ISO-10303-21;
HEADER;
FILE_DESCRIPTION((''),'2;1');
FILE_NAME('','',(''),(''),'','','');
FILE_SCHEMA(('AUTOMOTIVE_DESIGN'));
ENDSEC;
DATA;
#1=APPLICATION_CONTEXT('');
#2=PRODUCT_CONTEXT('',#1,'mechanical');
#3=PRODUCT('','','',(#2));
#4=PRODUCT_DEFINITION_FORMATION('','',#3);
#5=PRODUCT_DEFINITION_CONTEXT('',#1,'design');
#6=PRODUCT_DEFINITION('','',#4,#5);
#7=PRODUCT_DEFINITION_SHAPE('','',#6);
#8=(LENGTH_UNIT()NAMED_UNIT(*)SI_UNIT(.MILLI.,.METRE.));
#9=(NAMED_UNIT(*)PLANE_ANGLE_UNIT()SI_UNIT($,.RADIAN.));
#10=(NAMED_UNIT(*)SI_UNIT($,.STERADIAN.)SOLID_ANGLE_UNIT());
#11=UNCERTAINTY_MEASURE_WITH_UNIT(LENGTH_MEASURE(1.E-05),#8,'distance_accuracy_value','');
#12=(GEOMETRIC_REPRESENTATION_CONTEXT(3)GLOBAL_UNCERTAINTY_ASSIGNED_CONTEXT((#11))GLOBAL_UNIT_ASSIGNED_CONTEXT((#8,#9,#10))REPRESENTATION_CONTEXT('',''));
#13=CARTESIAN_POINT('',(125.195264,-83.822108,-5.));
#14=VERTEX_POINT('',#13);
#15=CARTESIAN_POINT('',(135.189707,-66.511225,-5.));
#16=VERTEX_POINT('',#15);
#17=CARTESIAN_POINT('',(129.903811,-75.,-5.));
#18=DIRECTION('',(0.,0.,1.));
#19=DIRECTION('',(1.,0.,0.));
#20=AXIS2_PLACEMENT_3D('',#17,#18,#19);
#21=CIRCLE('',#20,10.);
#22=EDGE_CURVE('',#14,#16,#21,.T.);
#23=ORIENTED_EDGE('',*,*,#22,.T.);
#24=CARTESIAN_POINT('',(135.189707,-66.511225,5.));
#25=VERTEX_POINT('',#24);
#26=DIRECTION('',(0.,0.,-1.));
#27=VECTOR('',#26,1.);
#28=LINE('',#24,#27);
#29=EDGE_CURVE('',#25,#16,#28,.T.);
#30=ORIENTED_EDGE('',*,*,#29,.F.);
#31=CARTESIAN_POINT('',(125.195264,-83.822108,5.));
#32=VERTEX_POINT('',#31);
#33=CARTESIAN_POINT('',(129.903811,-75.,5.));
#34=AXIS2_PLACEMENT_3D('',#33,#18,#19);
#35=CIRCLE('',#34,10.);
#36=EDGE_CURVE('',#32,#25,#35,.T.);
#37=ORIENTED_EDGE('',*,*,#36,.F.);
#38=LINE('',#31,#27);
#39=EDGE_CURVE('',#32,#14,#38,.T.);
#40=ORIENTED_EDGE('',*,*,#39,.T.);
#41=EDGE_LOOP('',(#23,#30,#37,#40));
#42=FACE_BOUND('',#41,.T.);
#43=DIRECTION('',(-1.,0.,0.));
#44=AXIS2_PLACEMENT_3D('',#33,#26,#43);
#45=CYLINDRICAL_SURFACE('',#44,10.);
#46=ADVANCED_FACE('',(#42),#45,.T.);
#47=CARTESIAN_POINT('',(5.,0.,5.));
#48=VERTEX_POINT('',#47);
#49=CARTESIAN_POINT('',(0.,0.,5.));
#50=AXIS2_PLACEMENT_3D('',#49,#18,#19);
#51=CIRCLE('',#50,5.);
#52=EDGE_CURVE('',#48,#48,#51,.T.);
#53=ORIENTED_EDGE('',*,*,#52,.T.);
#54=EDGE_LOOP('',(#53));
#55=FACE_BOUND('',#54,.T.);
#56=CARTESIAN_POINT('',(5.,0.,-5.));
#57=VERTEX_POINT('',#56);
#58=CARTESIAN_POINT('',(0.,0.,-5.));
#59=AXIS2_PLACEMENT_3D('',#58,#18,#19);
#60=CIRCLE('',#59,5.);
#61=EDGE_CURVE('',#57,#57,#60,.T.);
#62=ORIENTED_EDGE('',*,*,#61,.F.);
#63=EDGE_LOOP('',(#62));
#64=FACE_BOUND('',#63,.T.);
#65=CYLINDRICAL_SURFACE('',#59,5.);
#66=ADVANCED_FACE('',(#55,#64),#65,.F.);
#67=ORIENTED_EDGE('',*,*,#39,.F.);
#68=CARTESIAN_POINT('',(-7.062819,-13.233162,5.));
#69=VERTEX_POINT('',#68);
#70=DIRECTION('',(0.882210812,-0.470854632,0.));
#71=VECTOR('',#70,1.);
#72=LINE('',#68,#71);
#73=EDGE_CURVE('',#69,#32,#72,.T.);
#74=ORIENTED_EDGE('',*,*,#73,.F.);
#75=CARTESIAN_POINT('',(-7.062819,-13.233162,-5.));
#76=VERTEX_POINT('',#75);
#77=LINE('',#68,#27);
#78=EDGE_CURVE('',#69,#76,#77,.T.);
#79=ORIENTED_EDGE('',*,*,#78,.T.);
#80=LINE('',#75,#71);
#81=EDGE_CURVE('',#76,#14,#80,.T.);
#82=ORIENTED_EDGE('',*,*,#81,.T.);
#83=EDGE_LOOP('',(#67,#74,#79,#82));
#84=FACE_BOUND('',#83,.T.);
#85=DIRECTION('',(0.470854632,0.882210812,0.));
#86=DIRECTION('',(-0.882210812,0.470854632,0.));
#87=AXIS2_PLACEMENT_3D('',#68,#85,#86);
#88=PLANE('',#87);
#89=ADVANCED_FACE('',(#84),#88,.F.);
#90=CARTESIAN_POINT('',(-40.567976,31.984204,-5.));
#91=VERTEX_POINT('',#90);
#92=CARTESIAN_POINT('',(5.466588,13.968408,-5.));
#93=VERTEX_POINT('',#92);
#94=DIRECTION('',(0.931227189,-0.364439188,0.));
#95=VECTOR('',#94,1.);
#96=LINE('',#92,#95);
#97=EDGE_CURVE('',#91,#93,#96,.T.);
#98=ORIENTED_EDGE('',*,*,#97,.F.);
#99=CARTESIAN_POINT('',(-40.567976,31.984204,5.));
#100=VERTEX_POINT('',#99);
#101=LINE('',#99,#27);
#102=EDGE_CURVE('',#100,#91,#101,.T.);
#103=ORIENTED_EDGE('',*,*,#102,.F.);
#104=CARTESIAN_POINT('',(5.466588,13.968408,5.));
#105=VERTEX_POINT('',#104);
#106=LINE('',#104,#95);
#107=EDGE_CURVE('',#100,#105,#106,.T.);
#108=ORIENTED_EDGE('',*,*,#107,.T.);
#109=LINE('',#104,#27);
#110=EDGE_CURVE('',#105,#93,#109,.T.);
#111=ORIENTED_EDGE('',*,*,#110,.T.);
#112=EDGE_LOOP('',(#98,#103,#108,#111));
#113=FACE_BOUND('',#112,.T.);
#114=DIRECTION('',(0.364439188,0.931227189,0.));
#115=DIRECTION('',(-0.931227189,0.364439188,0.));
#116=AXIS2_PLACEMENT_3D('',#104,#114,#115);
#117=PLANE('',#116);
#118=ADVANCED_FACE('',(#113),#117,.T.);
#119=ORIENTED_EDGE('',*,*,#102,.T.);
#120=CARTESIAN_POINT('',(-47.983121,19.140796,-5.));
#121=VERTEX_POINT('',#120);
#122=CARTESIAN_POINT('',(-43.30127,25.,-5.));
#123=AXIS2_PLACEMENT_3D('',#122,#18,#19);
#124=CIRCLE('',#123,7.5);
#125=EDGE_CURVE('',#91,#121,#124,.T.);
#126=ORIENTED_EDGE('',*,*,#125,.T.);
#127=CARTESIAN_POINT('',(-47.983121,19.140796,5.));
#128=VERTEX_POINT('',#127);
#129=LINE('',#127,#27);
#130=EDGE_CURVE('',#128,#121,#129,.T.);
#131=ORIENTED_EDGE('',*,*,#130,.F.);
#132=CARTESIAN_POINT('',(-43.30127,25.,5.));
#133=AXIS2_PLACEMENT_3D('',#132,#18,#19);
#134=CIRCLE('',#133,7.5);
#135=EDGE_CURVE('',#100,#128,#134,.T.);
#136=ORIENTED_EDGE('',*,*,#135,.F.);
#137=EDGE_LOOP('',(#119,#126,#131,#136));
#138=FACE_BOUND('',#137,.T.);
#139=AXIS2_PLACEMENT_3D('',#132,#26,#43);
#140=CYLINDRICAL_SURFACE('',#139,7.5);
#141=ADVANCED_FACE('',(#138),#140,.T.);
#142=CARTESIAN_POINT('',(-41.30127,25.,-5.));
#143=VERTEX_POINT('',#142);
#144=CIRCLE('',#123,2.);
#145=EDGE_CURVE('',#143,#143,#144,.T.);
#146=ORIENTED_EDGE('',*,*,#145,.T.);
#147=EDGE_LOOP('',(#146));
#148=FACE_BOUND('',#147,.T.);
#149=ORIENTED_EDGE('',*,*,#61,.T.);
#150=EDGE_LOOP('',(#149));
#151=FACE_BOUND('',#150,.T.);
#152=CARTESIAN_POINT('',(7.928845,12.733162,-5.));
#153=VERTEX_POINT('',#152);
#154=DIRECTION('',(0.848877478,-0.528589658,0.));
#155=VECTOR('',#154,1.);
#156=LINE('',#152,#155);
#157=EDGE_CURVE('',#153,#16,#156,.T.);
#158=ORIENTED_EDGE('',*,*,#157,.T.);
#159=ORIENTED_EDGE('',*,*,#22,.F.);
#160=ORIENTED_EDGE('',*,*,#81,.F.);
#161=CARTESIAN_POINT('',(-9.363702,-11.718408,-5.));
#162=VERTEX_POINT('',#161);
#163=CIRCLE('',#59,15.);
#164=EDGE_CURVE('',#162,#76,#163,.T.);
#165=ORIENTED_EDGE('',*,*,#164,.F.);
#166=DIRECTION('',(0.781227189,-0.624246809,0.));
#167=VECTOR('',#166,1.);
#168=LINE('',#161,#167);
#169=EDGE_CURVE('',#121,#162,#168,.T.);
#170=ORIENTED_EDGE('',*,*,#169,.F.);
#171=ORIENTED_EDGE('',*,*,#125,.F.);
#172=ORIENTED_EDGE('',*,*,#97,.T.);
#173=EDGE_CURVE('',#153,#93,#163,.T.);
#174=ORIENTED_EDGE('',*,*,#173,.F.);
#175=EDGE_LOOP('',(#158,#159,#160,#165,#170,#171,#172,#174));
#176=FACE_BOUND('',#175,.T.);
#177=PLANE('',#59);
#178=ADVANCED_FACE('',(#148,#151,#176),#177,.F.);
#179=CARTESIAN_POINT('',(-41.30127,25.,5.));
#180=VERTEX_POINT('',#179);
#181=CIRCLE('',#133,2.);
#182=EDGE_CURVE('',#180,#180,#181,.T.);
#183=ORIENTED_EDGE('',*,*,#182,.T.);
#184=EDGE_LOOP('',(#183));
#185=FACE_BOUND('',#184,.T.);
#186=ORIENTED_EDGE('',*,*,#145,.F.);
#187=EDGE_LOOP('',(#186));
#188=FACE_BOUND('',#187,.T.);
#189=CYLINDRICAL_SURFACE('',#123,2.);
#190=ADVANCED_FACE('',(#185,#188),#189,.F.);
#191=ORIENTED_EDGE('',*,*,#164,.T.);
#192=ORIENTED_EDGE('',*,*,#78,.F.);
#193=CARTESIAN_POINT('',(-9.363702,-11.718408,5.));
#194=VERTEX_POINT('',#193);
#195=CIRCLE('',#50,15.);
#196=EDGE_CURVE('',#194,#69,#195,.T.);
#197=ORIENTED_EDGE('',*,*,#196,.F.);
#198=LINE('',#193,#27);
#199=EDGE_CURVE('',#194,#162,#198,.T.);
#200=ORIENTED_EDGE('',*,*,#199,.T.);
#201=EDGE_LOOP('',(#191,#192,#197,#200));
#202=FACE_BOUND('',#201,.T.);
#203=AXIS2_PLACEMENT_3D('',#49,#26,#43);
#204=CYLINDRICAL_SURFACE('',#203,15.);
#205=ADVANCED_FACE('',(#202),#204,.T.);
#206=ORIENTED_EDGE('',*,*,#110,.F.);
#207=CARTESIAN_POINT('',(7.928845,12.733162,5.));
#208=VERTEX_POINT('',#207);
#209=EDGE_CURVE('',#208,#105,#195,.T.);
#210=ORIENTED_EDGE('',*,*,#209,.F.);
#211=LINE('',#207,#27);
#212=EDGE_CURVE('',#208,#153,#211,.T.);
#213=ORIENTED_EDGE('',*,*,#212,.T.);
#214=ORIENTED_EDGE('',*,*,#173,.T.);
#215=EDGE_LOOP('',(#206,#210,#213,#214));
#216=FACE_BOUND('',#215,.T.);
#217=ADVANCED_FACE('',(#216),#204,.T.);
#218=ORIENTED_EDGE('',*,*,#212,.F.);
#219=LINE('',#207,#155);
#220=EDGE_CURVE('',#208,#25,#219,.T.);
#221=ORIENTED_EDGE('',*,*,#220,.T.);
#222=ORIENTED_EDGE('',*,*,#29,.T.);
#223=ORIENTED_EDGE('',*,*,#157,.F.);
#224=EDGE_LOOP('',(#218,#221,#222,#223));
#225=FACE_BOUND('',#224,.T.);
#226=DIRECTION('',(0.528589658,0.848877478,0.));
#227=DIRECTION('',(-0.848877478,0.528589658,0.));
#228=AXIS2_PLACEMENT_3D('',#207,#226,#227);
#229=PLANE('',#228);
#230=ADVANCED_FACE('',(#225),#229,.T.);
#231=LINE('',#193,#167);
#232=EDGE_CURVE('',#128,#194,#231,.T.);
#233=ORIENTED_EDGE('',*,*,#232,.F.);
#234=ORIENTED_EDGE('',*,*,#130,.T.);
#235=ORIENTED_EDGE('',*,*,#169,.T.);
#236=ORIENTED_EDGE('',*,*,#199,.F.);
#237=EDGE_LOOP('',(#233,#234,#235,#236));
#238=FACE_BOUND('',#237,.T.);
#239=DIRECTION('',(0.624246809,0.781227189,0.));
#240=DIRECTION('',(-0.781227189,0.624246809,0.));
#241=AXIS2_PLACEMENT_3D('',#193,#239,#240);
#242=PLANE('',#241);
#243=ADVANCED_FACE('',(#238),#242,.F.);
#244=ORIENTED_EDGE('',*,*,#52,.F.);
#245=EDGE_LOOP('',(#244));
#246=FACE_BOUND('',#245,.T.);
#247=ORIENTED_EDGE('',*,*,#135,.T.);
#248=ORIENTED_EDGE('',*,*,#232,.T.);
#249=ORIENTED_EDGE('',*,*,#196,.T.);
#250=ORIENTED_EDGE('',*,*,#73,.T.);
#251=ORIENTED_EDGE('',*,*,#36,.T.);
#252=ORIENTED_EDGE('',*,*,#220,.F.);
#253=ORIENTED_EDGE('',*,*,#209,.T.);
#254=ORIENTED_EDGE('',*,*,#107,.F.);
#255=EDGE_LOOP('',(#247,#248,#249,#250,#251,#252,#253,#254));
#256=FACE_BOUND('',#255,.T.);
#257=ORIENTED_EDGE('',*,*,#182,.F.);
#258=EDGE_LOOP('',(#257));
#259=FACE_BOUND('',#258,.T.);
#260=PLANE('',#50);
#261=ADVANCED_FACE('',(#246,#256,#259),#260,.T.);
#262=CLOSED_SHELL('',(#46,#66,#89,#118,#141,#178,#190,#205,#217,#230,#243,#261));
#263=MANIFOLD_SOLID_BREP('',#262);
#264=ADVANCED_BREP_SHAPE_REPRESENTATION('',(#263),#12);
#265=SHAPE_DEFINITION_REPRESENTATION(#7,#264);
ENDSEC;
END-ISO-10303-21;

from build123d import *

# Parameters (mm, degrees)
BOSS_EXTRUDE1_DEPTH     = 5
CUT_EXTRUDE1_DEPTH      = 164.77752047
CUT_EXTRUDE1_DEPTH_BACK = 164.77752047
SKETCH2_R               = 2
SKETCH2_R_2             = 5


with BuildPart() as part:
    # Sketch1 → Boss-Extrude1 (new, symmetric)
    with BuildSketch(Plane.XY):
        with BuildLine():
            Line((5.466587816, 13.968407842), (-40.567976281, 31.984203921))
            ThreePointArc((-40.567976281, 31.984203921), (-49.796460718, 28.75), (-47.983121256, 19.140796079))
            Line((-47.983121256, 19.140796079), (-9.363702133, -11.718407842))
            ThreePointArc((-9.363702133, -11.718407842), (-8.248107249, -12.528716088), (-7.062819473, -13.233162173))
            Line((-7.062819473, -13.233162173), (125.195264252, -83.822108115))
            ThreePointArc((125.195264252, -83.822108115), (138.564064606, -80), (135.189707152, -66.511225218))
            Line((135.189707152, -66.511225218), (7.928844877, 12.733162173))
            ThreePointArc((7.928844877, 12.733162173), (6.726132784, 13.407428455), (5.466587816, 13.968407842))
        make_face()
    extrude(amount=BOSS_EXTRUDE1_DEPTH, both=True)

    # Sketch2 → Cut-Extrude1 (cut, two sides: drawn at the far end of the back side and taken through both)
    with BuildSketch(Plane.XY.offset(-CUT_EXTRUDE1_DEPTH_BACK)):
        with Locations((-43.301270189, 25)):
            Circle(SKETCH2_R)
        Circle(SKETCH2_R_2)
    extrude(amount=CUT_EXTRUDE1_DEPTH + CUT_EXTRUDE1_DEPTH_BACK, mode=Mode.SUBTRACT)


solid = part.part
